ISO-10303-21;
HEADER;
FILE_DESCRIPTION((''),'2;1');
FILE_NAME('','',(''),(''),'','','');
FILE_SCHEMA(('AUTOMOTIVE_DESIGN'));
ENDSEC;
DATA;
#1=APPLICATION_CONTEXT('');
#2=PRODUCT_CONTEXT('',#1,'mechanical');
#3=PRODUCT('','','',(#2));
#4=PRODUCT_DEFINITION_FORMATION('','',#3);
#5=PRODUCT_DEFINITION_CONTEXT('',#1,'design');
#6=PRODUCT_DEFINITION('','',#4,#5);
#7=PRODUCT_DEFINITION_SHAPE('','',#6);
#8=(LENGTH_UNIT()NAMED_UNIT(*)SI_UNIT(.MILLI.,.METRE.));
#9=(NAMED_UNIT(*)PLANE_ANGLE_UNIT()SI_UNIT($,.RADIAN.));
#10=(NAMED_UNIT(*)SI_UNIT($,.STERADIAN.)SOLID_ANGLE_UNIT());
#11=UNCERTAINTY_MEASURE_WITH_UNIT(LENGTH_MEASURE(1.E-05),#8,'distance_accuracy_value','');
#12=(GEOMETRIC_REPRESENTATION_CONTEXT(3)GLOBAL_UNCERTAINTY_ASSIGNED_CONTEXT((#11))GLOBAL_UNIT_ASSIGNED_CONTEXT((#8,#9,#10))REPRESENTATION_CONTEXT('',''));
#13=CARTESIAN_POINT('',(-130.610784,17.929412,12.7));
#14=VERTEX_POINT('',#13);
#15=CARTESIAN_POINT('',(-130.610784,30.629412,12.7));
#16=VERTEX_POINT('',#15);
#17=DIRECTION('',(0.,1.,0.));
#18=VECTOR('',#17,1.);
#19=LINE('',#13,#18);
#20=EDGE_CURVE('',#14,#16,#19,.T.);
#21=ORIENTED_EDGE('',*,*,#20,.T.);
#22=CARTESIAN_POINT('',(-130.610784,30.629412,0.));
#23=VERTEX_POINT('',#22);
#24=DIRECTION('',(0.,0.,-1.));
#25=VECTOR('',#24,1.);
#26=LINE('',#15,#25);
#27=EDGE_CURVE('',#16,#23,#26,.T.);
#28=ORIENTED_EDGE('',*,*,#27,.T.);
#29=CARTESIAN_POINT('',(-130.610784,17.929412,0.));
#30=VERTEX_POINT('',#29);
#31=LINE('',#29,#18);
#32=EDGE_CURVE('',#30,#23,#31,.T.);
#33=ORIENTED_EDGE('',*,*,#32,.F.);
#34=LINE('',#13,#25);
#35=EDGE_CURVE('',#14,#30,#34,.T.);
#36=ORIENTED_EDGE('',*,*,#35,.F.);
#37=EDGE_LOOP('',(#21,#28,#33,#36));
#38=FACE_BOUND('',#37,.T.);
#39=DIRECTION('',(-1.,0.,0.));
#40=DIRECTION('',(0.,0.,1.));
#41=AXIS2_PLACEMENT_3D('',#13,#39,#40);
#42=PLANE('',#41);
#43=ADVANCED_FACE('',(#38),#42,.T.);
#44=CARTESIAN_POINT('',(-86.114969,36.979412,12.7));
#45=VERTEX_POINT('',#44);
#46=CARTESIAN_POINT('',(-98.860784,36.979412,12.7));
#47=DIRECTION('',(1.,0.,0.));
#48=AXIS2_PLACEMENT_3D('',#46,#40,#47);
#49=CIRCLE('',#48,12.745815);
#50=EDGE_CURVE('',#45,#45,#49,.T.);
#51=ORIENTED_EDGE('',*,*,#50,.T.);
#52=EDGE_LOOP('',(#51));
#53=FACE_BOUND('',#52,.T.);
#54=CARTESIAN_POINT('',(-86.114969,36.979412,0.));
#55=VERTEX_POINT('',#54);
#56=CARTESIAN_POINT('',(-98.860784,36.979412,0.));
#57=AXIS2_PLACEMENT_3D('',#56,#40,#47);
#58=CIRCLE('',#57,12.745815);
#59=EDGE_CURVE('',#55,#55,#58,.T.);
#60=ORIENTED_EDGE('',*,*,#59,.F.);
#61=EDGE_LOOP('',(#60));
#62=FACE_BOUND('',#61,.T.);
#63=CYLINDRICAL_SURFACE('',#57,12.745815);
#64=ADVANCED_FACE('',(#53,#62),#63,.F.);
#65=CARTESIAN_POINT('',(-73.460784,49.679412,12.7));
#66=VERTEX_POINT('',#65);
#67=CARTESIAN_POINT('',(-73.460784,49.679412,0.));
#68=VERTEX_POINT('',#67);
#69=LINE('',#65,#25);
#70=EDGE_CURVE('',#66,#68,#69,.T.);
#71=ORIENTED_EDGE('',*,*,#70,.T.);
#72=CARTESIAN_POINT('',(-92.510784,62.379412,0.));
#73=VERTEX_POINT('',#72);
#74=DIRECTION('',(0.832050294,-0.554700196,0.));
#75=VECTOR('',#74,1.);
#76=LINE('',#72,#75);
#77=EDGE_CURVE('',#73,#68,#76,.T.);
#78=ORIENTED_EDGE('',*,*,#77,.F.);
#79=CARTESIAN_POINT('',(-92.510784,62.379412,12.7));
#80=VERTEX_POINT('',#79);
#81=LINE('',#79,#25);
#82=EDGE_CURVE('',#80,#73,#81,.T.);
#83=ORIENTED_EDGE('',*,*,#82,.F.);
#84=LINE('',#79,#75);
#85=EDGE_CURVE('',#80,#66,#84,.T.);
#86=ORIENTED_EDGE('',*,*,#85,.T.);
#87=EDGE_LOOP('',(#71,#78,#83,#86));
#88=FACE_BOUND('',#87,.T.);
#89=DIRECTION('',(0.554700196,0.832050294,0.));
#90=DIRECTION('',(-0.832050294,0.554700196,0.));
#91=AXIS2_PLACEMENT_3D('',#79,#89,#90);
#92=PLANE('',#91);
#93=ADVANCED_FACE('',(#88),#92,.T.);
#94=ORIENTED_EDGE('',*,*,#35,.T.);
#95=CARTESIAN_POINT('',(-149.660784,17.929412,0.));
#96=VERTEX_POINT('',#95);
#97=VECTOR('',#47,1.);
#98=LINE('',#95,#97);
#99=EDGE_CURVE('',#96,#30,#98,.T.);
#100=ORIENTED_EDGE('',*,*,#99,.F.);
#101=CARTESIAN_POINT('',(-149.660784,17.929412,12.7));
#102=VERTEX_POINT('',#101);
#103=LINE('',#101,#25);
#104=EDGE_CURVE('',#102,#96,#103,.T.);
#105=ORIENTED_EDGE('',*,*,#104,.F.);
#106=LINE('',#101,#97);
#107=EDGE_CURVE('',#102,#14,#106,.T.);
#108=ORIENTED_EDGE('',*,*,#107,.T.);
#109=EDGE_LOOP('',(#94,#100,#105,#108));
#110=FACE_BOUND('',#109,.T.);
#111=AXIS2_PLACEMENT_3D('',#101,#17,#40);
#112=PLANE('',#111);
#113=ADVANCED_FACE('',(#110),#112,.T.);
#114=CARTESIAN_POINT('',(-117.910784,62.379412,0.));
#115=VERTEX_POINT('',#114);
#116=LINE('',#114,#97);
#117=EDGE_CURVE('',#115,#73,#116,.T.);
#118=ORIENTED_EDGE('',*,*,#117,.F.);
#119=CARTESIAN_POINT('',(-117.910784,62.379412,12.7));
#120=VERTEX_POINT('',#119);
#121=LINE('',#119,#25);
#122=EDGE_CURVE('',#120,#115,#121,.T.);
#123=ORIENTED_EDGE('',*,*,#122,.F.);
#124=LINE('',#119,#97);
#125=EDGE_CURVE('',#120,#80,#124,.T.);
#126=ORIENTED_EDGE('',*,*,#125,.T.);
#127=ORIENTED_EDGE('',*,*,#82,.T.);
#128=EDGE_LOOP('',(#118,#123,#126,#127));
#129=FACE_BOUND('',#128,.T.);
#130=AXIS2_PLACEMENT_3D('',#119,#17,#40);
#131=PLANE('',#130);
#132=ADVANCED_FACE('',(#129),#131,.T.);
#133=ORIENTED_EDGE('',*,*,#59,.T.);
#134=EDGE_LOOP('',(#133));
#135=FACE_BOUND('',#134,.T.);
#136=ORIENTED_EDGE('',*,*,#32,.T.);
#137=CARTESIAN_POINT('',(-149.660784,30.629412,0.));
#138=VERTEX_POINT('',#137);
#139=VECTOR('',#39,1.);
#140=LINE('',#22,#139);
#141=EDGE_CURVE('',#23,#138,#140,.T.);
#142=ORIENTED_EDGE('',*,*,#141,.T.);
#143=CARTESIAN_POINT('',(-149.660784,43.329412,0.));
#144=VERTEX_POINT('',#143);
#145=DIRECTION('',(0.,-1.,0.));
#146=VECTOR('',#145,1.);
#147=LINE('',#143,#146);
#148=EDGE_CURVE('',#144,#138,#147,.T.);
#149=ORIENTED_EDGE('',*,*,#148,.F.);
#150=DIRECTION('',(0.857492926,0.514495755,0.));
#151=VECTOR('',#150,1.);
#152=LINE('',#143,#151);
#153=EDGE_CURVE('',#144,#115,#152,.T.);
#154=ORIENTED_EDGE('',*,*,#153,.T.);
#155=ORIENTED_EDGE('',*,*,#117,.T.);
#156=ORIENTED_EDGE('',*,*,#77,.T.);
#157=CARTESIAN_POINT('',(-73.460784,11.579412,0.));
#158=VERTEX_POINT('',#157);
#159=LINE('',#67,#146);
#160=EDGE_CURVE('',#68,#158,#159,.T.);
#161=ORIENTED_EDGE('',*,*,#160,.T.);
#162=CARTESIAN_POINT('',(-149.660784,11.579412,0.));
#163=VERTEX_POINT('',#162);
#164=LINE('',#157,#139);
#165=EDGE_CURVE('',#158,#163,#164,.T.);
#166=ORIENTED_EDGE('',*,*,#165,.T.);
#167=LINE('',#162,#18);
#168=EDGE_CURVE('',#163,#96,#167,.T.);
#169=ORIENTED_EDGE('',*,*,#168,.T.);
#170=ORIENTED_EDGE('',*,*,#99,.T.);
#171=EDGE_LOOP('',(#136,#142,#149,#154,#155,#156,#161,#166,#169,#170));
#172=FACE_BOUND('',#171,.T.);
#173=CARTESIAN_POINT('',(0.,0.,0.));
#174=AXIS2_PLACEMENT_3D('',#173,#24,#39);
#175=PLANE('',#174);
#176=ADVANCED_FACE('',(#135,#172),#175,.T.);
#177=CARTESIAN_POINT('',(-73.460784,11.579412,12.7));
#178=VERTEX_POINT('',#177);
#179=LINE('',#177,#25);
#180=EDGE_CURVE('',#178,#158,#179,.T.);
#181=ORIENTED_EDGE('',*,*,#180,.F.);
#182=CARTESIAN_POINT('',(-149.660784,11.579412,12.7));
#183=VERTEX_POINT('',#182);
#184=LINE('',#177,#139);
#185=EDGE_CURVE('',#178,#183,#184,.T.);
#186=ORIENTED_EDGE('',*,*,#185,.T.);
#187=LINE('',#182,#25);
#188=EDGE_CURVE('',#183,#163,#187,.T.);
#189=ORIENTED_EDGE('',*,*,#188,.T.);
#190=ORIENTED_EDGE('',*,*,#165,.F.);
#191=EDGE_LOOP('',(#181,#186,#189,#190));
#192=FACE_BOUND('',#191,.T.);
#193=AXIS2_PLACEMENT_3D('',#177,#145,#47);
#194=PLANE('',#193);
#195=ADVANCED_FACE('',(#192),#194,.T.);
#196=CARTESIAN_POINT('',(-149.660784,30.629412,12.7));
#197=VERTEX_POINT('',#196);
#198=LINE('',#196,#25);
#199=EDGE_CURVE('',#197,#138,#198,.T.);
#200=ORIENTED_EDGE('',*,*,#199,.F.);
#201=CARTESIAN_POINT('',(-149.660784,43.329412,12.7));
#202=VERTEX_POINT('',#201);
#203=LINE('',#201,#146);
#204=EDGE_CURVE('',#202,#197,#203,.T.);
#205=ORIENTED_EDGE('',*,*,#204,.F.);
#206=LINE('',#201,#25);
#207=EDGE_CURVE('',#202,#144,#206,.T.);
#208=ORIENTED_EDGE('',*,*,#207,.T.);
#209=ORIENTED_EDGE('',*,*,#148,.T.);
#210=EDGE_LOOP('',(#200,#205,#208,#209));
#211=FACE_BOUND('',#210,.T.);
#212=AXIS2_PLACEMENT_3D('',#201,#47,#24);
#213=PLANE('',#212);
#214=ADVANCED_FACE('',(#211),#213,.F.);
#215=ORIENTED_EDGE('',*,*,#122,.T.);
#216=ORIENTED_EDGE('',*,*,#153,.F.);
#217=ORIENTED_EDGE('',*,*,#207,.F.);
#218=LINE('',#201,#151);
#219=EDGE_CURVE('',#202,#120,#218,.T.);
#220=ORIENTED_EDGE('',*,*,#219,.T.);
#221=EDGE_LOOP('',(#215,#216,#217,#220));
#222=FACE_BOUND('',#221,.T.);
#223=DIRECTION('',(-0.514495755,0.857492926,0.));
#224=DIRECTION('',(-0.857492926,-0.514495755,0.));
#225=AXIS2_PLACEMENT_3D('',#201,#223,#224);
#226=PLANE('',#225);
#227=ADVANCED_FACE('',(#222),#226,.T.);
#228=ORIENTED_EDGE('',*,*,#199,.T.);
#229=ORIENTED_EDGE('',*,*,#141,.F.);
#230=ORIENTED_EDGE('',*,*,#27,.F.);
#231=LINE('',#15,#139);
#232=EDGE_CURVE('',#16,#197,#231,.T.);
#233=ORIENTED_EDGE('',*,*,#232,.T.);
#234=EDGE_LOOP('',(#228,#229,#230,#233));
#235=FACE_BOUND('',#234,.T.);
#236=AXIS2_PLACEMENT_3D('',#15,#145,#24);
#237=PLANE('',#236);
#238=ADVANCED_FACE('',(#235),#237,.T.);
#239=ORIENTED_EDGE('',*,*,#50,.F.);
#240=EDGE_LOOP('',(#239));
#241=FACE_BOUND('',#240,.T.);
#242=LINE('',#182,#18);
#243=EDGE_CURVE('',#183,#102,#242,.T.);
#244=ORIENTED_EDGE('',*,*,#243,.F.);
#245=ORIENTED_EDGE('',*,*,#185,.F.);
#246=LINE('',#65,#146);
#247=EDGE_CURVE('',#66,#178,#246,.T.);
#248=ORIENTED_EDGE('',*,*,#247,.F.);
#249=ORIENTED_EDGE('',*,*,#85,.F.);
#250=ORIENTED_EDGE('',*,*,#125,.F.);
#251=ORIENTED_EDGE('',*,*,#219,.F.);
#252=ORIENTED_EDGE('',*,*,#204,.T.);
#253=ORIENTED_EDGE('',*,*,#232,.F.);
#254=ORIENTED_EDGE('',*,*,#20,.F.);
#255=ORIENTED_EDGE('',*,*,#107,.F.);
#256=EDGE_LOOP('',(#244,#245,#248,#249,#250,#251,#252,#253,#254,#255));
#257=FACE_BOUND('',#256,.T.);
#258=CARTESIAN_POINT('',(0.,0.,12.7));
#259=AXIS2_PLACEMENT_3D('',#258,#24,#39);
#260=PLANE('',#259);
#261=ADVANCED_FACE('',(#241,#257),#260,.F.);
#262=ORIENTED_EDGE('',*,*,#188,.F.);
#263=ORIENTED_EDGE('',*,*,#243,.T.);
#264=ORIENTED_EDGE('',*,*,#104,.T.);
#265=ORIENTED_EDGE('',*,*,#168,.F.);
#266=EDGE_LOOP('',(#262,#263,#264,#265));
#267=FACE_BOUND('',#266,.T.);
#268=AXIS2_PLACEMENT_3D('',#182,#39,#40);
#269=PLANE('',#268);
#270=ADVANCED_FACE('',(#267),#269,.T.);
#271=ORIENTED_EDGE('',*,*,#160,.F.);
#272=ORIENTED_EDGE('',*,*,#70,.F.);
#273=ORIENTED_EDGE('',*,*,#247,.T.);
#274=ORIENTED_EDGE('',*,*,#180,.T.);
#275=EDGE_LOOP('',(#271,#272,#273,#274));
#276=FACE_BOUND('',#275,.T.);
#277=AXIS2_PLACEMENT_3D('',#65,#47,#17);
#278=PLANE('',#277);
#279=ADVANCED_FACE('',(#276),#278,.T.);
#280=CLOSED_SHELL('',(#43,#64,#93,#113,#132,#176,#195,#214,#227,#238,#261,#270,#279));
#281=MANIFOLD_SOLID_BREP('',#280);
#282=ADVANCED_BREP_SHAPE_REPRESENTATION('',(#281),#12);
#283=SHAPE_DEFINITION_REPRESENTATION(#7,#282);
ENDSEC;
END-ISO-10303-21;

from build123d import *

# Parameters (mm, degrees)
BOSS_EXTRUDE1_DEPTH = 12.7
SKETCH2_R           = 12.745815336
CUT_EXTRUDE1_DEPTH  = 163.637115609


with BuildPart() as part:
    # Sketch1 → Boss-Extrude1 (new body)
    with BuildSketch(Plane.XY):
        Polygon((-117.910784314, 62.379411765), (-92.510784314, 62.379411765), (-73.460784314, 49.679411765), (-73.460784314, 11.579411765), (-149.660784314, 11.579411765), (-149.660784314, 17.929411765), (-130.610784314, 17.929411765), (-130.610784314, 30.629411765), (-149.660784314, 30.629411765), (-149.660784314, 43.329411765), align=None)
    extrude(amount=BOSS_EXTRUDE1_DEPTH)

    # Sketch2 → Cut-Extrude1 (cut, through all)
    with BuildSketch(Plane.XY.offset(12.7)):
        with Locations((-98.860784314, 36.979411765)):
            Circle(SKETCH2_R)
    extrude(amount=-CUT_EXTRUDE1_DEPTH, mode=Mode.SUBTRACT)


solid = part.part
